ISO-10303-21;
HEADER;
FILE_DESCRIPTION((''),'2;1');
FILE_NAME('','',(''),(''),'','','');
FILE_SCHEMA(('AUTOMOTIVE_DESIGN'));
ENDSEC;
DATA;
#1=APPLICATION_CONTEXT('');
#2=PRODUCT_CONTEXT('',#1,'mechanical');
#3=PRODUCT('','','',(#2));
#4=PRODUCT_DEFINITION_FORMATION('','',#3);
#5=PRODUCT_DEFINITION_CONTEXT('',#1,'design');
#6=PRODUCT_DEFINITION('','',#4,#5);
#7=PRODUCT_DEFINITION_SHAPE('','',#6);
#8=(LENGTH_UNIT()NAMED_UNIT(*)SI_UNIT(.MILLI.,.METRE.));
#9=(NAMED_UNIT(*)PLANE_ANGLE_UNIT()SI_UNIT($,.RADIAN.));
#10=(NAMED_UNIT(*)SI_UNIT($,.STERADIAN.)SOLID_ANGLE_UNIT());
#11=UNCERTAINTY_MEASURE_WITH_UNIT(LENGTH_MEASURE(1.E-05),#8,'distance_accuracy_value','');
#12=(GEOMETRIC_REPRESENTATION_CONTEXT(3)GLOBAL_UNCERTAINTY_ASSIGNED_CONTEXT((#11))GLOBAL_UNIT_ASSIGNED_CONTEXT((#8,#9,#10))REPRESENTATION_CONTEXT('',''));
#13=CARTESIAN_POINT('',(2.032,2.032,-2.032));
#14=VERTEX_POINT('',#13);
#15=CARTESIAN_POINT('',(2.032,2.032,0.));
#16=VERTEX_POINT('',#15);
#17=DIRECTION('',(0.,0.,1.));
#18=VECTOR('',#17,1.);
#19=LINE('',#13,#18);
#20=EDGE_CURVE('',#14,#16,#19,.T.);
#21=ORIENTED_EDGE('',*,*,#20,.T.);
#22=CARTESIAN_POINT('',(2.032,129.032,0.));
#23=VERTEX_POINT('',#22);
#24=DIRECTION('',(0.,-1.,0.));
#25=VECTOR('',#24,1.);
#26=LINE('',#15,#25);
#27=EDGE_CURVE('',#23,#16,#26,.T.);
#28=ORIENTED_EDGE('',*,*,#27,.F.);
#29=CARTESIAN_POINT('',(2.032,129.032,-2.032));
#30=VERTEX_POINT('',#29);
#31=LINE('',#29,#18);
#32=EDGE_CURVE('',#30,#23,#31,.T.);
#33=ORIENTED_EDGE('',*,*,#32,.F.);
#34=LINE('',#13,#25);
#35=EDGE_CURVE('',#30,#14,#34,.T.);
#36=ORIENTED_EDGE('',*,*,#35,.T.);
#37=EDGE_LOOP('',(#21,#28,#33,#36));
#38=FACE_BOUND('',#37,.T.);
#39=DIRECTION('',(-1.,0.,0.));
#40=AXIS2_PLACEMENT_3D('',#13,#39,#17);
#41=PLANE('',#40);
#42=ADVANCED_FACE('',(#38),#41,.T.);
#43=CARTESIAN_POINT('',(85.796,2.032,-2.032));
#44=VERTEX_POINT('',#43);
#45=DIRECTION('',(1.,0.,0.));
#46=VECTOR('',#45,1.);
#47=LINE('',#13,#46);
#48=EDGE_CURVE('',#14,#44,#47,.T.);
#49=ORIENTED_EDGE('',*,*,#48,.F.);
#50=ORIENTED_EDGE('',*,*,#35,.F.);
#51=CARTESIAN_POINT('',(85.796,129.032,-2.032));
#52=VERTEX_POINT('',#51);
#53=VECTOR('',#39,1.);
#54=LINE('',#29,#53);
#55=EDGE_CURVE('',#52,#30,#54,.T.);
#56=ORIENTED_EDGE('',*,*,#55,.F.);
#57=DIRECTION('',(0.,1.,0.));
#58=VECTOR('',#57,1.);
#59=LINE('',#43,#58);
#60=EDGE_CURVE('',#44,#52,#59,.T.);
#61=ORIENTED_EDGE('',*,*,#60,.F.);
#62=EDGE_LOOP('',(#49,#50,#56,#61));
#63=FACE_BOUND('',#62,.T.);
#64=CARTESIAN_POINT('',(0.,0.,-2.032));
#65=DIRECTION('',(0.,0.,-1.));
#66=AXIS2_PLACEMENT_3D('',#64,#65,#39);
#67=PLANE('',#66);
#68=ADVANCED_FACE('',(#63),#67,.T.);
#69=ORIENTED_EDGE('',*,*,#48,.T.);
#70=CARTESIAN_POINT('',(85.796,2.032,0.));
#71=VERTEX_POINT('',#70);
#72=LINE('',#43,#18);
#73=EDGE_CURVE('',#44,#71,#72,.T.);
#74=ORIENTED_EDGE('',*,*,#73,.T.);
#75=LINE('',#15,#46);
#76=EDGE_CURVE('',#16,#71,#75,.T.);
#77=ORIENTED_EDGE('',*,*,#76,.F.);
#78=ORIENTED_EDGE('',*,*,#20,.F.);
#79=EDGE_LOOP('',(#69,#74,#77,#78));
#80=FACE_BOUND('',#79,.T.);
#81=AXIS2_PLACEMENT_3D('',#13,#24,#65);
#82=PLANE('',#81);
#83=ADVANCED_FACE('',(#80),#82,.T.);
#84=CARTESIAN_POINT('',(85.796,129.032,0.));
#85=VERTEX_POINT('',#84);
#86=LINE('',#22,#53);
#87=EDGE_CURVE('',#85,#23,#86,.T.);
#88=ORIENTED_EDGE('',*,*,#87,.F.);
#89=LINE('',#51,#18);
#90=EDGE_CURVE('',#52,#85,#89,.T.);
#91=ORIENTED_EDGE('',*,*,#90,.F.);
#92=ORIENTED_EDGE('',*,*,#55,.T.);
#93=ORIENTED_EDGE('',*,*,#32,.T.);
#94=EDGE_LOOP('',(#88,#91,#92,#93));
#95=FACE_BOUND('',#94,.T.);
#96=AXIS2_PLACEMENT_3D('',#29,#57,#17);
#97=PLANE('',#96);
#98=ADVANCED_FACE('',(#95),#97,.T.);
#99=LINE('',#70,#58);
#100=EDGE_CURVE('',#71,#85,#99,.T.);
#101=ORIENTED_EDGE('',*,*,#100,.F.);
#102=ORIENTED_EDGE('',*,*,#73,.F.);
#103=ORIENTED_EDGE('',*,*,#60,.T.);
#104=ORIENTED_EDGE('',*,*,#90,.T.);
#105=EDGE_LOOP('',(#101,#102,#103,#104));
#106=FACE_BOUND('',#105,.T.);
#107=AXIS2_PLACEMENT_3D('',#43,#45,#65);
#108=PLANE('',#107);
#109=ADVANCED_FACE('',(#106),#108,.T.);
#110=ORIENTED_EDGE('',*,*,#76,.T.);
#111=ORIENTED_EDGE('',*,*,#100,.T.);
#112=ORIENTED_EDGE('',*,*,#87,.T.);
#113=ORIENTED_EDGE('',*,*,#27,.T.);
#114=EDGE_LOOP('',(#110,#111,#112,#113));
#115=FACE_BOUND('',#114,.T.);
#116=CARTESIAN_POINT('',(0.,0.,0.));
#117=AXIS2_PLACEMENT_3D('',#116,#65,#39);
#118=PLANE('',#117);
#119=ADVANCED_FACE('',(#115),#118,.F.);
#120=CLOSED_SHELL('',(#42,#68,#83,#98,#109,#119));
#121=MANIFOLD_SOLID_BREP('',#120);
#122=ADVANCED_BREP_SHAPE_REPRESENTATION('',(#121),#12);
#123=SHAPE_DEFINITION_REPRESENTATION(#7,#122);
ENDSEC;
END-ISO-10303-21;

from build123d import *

# Parameters (mm, degrees)
SKETCH1_W           = 83.764
SKETCH1_H           = 127
BOSS_EXTRUDE1_DEPTH = 2.032


with BuildPart() as part:
    # Sketch1 → Boss-Extrude1 (new body)
    with BuildSketch(Plane.XY):
        with Locations((43.914, 65.532)):
            Rectangle(SKETCH1_W, SKETCH1_H)
    extrude(amount=-BOSS_EXTRUDE1_DEPTH)


solid = part.part
